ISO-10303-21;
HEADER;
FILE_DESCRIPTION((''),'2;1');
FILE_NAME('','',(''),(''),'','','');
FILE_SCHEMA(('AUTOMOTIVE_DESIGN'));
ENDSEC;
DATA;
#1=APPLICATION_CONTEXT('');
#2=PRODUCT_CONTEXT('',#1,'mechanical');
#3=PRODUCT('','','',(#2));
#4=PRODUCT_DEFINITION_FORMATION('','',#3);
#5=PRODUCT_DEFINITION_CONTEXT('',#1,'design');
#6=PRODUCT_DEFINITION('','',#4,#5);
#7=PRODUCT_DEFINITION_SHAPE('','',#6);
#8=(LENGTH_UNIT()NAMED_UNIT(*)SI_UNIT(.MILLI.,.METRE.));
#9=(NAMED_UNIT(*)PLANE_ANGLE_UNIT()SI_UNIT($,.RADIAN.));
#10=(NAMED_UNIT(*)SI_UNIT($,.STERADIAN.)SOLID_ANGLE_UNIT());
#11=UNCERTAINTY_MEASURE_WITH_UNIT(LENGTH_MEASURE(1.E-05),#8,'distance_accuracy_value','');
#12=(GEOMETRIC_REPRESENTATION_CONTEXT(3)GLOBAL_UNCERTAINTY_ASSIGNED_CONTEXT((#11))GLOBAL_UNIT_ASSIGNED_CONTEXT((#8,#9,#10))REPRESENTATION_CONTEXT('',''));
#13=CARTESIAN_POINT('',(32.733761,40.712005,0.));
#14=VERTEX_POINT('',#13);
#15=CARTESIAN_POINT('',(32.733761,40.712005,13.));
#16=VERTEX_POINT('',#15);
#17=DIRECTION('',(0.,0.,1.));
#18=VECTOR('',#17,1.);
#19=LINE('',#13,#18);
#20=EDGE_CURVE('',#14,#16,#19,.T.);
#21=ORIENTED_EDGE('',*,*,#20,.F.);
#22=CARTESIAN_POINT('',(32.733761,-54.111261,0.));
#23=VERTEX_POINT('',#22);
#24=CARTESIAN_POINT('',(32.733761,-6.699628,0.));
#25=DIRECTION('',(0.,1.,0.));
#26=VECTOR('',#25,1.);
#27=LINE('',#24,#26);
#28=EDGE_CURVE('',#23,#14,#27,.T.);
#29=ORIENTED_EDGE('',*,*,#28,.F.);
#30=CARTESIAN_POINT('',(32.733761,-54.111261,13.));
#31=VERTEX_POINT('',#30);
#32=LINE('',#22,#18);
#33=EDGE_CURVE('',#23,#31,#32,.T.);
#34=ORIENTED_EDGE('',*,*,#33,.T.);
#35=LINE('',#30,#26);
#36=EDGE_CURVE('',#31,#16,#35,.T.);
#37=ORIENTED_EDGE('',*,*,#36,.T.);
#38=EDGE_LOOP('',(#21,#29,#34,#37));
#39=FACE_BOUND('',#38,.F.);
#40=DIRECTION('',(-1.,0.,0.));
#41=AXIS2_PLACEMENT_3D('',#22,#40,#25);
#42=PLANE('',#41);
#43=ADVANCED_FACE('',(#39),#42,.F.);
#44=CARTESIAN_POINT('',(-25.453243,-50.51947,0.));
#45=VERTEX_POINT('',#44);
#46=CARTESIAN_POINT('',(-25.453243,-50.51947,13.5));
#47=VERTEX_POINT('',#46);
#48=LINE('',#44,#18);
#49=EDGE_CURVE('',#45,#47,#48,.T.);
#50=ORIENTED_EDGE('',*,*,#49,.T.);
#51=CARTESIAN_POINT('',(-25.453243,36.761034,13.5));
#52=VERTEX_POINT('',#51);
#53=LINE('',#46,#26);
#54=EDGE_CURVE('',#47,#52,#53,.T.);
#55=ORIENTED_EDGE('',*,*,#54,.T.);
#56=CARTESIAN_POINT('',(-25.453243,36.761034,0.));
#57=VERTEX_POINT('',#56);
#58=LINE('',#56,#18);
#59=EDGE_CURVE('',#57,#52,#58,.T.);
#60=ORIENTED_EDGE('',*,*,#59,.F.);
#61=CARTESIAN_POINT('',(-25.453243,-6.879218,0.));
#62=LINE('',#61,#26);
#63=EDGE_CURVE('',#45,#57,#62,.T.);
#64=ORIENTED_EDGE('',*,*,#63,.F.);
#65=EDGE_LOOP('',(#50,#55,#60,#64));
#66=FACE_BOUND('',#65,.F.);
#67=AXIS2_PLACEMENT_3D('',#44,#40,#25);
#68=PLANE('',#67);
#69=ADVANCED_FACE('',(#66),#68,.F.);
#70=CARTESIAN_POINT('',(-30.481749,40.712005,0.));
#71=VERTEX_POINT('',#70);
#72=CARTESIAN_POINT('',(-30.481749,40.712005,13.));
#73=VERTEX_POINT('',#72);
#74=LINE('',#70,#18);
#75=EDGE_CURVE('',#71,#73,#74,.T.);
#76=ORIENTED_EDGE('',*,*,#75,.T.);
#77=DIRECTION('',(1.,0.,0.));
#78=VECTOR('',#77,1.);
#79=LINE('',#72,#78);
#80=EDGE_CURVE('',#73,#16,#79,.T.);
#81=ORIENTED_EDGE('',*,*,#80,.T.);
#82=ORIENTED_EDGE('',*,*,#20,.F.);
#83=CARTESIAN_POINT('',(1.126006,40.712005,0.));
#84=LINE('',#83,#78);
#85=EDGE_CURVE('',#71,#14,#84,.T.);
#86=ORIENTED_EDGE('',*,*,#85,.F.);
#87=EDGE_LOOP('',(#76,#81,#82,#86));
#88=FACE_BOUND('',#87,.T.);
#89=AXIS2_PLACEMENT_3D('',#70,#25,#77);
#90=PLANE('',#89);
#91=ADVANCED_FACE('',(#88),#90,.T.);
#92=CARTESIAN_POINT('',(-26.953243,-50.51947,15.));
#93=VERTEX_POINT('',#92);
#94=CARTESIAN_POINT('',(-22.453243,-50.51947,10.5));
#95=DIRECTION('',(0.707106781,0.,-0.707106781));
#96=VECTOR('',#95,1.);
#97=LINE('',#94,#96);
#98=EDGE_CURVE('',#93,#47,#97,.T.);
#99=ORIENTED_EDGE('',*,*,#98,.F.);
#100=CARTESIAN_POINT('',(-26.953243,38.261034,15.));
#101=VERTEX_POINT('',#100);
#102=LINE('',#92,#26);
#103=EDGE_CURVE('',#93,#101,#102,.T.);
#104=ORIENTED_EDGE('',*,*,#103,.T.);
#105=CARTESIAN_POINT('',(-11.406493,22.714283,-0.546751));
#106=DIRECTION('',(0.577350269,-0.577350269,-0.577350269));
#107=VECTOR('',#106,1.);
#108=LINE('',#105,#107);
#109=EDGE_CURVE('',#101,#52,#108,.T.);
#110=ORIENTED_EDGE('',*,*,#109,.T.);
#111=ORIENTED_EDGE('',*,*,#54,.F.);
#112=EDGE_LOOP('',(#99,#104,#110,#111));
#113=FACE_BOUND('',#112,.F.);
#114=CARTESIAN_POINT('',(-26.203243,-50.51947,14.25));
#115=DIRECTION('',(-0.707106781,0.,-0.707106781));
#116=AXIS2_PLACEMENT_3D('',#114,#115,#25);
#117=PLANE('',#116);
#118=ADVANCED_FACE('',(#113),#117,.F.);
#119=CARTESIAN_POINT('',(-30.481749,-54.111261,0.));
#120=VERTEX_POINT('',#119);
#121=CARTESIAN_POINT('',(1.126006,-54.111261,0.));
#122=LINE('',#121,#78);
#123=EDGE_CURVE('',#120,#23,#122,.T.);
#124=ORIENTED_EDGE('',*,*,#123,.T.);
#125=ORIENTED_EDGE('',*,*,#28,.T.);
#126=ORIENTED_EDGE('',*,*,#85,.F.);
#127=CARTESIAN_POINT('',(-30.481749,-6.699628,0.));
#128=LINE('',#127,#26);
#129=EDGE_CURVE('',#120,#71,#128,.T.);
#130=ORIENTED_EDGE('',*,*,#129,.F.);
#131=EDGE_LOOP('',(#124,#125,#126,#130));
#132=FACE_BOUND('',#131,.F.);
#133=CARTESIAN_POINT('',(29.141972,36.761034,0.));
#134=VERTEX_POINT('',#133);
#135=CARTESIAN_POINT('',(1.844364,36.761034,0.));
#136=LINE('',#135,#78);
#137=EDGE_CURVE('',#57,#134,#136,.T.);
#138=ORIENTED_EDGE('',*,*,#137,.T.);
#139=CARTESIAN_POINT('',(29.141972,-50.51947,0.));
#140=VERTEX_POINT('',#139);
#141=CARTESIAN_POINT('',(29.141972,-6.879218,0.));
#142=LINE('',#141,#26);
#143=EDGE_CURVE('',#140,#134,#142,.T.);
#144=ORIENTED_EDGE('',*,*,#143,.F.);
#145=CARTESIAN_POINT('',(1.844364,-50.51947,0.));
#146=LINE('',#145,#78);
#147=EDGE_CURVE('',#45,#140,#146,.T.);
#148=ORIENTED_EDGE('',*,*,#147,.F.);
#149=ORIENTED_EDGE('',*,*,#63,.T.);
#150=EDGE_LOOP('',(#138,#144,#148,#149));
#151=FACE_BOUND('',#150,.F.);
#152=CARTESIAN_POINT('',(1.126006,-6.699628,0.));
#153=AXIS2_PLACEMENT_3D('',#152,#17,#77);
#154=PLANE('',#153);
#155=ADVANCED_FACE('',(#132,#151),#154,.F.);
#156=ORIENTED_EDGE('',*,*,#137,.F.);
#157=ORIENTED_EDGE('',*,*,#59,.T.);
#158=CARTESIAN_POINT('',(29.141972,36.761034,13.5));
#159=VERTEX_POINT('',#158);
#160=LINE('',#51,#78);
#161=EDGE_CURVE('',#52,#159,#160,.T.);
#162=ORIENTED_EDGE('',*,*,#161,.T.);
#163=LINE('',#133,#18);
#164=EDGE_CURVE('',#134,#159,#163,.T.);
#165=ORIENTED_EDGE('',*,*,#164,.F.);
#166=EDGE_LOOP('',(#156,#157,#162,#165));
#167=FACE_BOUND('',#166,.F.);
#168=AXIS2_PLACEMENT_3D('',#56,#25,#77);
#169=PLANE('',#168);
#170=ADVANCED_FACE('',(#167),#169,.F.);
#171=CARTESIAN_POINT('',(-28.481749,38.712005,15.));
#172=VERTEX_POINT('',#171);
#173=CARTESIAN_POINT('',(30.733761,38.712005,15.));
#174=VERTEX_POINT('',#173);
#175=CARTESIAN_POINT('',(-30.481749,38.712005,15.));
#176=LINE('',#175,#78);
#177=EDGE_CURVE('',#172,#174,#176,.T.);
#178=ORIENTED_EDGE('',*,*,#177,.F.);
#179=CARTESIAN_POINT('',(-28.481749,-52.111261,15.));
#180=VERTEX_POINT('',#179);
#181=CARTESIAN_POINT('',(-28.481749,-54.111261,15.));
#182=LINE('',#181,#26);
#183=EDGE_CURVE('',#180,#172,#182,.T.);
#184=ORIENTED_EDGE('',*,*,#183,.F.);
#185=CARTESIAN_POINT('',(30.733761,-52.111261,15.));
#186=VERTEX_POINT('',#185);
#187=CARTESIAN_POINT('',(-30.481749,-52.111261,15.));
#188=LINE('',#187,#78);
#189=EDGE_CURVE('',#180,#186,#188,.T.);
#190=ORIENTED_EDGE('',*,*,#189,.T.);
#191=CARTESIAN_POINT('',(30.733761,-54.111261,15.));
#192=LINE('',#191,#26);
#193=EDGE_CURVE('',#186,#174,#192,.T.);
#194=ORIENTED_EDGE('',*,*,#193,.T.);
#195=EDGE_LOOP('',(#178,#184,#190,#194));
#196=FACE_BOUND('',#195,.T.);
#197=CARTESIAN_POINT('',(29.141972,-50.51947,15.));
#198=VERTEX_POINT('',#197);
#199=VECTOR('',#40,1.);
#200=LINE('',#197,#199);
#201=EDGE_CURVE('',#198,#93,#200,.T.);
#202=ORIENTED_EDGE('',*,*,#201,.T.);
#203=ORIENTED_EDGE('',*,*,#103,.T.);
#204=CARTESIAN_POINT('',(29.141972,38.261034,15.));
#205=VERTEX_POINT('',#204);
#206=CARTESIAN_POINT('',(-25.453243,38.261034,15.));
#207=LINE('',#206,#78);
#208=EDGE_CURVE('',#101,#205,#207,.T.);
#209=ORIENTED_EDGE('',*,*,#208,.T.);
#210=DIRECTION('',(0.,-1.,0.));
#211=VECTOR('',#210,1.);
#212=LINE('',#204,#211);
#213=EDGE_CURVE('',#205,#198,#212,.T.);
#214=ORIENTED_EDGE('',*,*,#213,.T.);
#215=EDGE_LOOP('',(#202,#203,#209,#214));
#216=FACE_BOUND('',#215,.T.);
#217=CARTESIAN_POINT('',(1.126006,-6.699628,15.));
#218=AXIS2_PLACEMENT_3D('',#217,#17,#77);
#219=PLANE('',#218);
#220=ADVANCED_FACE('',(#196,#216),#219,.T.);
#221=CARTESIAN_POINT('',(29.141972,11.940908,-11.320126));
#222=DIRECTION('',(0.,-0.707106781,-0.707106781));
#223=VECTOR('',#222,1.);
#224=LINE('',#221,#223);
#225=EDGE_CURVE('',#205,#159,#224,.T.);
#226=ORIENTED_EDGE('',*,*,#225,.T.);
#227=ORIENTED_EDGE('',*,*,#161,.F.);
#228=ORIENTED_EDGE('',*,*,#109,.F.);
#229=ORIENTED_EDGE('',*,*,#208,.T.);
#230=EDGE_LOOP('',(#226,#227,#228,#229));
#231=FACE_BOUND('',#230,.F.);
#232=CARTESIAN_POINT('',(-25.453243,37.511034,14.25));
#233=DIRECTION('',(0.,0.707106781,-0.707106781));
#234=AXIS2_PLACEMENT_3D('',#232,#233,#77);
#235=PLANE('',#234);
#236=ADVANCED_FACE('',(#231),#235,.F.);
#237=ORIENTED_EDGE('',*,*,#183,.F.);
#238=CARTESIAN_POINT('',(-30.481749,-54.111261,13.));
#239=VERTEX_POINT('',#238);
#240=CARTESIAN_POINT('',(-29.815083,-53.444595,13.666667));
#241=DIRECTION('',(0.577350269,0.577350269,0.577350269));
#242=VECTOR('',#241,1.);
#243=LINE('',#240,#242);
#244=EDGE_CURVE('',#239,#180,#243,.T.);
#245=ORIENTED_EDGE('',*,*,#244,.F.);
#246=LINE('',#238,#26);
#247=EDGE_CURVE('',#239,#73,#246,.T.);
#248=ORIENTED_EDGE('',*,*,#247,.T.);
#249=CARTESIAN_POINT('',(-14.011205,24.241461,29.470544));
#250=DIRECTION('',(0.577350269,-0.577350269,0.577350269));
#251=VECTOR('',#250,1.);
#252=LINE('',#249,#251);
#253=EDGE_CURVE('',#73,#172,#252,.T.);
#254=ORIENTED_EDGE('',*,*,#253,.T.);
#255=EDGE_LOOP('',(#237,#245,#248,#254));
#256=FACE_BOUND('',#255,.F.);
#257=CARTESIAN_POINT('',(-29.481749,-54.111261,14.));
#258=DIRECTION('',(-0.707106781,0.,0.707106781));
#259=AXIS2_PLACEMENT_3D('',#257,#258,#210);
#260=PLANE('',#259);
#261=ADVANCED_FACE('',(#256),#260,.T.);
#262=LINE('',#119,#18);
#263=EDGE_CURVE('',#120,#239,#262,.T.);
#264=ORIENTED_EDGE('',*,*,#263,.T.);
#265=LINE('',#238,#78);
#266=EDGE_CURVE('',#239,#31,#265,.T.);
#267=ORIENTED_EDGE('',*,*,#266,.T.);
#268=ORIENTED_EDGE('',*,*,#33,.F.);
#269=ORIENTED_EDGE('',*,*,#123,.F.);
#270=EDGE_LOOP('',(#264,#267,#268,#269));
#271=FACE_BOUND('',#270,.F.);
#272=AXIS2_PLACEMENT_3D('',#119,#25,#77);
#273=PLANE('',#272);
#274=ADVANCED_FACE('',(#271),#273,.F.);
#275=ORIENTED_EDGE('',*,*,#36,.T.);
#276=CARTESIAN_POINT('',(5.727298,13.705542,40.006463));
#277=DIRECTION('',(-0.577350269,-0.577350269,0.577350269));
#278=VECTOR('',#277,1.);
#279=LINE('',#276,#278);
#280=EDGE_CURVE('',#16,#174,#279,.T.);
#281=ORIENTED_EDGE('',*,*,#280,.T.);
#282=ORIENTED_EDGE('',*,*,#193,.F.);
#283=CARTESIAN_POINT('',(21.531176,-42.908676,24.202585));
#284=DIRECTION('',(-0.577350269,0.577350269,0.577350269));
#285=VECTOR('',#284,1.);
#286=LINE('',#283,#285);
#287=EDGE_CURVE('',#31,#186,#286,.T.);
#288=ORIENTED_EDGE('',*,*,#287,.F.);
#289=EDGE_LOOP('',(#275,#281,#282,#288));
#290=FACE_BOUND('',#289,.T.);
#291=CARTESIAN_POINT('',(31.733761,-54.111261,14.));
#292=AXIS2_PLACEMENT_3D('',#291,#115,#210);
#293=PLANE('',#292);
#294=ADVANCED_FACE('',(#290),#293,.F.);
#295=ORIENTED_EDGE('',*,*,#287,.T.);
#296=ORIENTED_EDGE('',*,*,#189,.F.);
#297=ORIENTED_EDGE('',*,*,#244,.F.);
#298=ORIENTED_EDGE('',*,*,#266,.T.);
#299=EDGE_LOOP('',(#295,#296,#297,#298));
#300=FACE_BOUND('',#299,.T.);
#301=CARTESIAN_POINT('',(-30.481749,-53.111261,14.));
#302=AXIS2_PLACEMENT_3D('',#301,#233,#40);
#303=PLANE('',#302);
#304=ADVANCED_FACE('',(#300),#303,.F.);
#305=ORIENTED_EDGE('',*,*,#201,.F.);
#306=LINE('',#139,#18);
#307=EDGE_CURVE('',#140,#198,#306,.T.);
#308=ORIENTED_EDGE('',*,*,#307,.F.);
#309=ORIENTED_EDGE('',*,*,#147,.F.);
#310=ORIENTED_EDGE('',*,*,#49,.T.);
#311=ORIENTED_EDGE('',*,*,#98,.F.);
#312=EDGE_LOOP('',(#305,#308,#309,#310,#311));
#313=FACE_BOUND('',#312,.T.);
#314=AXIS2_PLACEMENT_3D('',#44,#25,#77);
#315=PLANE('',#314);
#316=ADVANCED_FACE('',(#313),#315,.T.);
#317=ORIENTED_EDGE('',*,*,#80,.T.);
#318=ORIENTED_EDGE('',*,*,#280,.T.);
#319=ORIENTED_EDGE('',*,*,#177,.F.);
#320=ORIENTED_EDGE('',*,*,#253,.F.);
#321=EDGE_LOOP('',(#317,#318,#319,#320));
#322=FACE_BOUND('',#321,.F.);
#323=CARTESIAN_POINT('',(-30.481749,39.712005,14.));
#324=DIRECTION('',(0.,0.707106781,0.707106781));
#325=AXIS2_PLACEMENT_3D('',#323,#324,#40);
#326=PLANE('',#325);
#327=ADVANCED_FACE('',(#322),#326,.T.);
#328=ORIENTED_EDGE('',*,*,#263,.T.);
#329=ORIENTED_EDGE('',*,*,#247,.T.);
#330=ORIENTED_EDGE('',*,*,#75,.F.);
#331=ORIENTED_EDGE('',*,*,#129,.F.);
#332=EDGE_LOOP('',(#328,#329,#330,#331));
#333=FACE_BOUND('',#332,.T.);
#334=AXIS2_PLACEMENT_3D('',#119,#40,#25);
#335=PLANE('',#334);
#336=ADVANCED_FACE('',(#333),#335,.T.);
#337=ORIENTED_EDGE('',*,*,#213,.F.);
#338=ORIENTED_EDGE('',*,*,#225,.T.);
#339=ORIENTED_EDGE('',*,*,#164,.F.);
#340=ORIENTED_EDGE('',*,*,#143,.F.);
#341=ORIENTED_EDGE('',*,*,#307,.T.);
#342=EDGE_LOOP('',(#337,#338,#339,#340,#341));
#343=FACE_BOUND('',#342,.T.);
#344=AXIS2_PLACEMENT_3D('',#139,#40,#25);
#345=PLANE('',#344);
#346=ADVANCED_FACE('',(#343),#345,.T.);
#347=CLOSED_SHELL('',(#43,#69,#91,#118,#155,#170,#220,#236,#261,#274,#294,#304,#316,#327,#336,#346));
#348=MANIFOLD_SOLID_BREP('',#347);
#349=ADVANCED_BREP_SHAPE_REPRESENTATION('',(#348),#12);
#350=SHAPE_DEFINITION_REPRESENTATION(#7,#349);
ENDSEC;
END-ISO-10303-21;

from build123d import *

# Parameters (mm, degrees)
F0_W     = 63.215511
F0_H     = 94.823267
F0_W_2   = 54.595215
F0_H_2   = 87.280504
F1_DEPTH = 15
F2_SIZE  = 2
F3_SIZE  = 1.5


with BuildPart() as f1:
    # F0 (on Top) → F1 (new body)
    with BuildSketch(Plane.XY):
        with Locations((1.126006, -6.699628)):
            Rectangle(F0_W, F0_H)
        with Locations((1.844364, -6.879218)):
            Rectangle(F0_W_2, F0_H_2, mode=Mode.SUBTRACT)
    extrude(amount=F1_DEPTH)

    # F2
    f2_edges = [f1.edges().sort_by_distance(p)[0] for p in [
        (-30.48175, -6.699627, 15),
        (1.126005, 40.712006, 15),
        (32.733761, -6.699627, 15),
        (1.126005, -54.111261, 15),
    ]]
    chamfer(f2_edges, length=F2_SIZE)

    # F3
    f3_edges = [f1.edges().sort_by_distance(p)[0] for p in [
        (1.844364, 36.761034, 15),
        (-25.453243, -6.879218, 15),
    ]]
    chamfer(f3_edges, length=F3_SIZE)


solid = f1.part
